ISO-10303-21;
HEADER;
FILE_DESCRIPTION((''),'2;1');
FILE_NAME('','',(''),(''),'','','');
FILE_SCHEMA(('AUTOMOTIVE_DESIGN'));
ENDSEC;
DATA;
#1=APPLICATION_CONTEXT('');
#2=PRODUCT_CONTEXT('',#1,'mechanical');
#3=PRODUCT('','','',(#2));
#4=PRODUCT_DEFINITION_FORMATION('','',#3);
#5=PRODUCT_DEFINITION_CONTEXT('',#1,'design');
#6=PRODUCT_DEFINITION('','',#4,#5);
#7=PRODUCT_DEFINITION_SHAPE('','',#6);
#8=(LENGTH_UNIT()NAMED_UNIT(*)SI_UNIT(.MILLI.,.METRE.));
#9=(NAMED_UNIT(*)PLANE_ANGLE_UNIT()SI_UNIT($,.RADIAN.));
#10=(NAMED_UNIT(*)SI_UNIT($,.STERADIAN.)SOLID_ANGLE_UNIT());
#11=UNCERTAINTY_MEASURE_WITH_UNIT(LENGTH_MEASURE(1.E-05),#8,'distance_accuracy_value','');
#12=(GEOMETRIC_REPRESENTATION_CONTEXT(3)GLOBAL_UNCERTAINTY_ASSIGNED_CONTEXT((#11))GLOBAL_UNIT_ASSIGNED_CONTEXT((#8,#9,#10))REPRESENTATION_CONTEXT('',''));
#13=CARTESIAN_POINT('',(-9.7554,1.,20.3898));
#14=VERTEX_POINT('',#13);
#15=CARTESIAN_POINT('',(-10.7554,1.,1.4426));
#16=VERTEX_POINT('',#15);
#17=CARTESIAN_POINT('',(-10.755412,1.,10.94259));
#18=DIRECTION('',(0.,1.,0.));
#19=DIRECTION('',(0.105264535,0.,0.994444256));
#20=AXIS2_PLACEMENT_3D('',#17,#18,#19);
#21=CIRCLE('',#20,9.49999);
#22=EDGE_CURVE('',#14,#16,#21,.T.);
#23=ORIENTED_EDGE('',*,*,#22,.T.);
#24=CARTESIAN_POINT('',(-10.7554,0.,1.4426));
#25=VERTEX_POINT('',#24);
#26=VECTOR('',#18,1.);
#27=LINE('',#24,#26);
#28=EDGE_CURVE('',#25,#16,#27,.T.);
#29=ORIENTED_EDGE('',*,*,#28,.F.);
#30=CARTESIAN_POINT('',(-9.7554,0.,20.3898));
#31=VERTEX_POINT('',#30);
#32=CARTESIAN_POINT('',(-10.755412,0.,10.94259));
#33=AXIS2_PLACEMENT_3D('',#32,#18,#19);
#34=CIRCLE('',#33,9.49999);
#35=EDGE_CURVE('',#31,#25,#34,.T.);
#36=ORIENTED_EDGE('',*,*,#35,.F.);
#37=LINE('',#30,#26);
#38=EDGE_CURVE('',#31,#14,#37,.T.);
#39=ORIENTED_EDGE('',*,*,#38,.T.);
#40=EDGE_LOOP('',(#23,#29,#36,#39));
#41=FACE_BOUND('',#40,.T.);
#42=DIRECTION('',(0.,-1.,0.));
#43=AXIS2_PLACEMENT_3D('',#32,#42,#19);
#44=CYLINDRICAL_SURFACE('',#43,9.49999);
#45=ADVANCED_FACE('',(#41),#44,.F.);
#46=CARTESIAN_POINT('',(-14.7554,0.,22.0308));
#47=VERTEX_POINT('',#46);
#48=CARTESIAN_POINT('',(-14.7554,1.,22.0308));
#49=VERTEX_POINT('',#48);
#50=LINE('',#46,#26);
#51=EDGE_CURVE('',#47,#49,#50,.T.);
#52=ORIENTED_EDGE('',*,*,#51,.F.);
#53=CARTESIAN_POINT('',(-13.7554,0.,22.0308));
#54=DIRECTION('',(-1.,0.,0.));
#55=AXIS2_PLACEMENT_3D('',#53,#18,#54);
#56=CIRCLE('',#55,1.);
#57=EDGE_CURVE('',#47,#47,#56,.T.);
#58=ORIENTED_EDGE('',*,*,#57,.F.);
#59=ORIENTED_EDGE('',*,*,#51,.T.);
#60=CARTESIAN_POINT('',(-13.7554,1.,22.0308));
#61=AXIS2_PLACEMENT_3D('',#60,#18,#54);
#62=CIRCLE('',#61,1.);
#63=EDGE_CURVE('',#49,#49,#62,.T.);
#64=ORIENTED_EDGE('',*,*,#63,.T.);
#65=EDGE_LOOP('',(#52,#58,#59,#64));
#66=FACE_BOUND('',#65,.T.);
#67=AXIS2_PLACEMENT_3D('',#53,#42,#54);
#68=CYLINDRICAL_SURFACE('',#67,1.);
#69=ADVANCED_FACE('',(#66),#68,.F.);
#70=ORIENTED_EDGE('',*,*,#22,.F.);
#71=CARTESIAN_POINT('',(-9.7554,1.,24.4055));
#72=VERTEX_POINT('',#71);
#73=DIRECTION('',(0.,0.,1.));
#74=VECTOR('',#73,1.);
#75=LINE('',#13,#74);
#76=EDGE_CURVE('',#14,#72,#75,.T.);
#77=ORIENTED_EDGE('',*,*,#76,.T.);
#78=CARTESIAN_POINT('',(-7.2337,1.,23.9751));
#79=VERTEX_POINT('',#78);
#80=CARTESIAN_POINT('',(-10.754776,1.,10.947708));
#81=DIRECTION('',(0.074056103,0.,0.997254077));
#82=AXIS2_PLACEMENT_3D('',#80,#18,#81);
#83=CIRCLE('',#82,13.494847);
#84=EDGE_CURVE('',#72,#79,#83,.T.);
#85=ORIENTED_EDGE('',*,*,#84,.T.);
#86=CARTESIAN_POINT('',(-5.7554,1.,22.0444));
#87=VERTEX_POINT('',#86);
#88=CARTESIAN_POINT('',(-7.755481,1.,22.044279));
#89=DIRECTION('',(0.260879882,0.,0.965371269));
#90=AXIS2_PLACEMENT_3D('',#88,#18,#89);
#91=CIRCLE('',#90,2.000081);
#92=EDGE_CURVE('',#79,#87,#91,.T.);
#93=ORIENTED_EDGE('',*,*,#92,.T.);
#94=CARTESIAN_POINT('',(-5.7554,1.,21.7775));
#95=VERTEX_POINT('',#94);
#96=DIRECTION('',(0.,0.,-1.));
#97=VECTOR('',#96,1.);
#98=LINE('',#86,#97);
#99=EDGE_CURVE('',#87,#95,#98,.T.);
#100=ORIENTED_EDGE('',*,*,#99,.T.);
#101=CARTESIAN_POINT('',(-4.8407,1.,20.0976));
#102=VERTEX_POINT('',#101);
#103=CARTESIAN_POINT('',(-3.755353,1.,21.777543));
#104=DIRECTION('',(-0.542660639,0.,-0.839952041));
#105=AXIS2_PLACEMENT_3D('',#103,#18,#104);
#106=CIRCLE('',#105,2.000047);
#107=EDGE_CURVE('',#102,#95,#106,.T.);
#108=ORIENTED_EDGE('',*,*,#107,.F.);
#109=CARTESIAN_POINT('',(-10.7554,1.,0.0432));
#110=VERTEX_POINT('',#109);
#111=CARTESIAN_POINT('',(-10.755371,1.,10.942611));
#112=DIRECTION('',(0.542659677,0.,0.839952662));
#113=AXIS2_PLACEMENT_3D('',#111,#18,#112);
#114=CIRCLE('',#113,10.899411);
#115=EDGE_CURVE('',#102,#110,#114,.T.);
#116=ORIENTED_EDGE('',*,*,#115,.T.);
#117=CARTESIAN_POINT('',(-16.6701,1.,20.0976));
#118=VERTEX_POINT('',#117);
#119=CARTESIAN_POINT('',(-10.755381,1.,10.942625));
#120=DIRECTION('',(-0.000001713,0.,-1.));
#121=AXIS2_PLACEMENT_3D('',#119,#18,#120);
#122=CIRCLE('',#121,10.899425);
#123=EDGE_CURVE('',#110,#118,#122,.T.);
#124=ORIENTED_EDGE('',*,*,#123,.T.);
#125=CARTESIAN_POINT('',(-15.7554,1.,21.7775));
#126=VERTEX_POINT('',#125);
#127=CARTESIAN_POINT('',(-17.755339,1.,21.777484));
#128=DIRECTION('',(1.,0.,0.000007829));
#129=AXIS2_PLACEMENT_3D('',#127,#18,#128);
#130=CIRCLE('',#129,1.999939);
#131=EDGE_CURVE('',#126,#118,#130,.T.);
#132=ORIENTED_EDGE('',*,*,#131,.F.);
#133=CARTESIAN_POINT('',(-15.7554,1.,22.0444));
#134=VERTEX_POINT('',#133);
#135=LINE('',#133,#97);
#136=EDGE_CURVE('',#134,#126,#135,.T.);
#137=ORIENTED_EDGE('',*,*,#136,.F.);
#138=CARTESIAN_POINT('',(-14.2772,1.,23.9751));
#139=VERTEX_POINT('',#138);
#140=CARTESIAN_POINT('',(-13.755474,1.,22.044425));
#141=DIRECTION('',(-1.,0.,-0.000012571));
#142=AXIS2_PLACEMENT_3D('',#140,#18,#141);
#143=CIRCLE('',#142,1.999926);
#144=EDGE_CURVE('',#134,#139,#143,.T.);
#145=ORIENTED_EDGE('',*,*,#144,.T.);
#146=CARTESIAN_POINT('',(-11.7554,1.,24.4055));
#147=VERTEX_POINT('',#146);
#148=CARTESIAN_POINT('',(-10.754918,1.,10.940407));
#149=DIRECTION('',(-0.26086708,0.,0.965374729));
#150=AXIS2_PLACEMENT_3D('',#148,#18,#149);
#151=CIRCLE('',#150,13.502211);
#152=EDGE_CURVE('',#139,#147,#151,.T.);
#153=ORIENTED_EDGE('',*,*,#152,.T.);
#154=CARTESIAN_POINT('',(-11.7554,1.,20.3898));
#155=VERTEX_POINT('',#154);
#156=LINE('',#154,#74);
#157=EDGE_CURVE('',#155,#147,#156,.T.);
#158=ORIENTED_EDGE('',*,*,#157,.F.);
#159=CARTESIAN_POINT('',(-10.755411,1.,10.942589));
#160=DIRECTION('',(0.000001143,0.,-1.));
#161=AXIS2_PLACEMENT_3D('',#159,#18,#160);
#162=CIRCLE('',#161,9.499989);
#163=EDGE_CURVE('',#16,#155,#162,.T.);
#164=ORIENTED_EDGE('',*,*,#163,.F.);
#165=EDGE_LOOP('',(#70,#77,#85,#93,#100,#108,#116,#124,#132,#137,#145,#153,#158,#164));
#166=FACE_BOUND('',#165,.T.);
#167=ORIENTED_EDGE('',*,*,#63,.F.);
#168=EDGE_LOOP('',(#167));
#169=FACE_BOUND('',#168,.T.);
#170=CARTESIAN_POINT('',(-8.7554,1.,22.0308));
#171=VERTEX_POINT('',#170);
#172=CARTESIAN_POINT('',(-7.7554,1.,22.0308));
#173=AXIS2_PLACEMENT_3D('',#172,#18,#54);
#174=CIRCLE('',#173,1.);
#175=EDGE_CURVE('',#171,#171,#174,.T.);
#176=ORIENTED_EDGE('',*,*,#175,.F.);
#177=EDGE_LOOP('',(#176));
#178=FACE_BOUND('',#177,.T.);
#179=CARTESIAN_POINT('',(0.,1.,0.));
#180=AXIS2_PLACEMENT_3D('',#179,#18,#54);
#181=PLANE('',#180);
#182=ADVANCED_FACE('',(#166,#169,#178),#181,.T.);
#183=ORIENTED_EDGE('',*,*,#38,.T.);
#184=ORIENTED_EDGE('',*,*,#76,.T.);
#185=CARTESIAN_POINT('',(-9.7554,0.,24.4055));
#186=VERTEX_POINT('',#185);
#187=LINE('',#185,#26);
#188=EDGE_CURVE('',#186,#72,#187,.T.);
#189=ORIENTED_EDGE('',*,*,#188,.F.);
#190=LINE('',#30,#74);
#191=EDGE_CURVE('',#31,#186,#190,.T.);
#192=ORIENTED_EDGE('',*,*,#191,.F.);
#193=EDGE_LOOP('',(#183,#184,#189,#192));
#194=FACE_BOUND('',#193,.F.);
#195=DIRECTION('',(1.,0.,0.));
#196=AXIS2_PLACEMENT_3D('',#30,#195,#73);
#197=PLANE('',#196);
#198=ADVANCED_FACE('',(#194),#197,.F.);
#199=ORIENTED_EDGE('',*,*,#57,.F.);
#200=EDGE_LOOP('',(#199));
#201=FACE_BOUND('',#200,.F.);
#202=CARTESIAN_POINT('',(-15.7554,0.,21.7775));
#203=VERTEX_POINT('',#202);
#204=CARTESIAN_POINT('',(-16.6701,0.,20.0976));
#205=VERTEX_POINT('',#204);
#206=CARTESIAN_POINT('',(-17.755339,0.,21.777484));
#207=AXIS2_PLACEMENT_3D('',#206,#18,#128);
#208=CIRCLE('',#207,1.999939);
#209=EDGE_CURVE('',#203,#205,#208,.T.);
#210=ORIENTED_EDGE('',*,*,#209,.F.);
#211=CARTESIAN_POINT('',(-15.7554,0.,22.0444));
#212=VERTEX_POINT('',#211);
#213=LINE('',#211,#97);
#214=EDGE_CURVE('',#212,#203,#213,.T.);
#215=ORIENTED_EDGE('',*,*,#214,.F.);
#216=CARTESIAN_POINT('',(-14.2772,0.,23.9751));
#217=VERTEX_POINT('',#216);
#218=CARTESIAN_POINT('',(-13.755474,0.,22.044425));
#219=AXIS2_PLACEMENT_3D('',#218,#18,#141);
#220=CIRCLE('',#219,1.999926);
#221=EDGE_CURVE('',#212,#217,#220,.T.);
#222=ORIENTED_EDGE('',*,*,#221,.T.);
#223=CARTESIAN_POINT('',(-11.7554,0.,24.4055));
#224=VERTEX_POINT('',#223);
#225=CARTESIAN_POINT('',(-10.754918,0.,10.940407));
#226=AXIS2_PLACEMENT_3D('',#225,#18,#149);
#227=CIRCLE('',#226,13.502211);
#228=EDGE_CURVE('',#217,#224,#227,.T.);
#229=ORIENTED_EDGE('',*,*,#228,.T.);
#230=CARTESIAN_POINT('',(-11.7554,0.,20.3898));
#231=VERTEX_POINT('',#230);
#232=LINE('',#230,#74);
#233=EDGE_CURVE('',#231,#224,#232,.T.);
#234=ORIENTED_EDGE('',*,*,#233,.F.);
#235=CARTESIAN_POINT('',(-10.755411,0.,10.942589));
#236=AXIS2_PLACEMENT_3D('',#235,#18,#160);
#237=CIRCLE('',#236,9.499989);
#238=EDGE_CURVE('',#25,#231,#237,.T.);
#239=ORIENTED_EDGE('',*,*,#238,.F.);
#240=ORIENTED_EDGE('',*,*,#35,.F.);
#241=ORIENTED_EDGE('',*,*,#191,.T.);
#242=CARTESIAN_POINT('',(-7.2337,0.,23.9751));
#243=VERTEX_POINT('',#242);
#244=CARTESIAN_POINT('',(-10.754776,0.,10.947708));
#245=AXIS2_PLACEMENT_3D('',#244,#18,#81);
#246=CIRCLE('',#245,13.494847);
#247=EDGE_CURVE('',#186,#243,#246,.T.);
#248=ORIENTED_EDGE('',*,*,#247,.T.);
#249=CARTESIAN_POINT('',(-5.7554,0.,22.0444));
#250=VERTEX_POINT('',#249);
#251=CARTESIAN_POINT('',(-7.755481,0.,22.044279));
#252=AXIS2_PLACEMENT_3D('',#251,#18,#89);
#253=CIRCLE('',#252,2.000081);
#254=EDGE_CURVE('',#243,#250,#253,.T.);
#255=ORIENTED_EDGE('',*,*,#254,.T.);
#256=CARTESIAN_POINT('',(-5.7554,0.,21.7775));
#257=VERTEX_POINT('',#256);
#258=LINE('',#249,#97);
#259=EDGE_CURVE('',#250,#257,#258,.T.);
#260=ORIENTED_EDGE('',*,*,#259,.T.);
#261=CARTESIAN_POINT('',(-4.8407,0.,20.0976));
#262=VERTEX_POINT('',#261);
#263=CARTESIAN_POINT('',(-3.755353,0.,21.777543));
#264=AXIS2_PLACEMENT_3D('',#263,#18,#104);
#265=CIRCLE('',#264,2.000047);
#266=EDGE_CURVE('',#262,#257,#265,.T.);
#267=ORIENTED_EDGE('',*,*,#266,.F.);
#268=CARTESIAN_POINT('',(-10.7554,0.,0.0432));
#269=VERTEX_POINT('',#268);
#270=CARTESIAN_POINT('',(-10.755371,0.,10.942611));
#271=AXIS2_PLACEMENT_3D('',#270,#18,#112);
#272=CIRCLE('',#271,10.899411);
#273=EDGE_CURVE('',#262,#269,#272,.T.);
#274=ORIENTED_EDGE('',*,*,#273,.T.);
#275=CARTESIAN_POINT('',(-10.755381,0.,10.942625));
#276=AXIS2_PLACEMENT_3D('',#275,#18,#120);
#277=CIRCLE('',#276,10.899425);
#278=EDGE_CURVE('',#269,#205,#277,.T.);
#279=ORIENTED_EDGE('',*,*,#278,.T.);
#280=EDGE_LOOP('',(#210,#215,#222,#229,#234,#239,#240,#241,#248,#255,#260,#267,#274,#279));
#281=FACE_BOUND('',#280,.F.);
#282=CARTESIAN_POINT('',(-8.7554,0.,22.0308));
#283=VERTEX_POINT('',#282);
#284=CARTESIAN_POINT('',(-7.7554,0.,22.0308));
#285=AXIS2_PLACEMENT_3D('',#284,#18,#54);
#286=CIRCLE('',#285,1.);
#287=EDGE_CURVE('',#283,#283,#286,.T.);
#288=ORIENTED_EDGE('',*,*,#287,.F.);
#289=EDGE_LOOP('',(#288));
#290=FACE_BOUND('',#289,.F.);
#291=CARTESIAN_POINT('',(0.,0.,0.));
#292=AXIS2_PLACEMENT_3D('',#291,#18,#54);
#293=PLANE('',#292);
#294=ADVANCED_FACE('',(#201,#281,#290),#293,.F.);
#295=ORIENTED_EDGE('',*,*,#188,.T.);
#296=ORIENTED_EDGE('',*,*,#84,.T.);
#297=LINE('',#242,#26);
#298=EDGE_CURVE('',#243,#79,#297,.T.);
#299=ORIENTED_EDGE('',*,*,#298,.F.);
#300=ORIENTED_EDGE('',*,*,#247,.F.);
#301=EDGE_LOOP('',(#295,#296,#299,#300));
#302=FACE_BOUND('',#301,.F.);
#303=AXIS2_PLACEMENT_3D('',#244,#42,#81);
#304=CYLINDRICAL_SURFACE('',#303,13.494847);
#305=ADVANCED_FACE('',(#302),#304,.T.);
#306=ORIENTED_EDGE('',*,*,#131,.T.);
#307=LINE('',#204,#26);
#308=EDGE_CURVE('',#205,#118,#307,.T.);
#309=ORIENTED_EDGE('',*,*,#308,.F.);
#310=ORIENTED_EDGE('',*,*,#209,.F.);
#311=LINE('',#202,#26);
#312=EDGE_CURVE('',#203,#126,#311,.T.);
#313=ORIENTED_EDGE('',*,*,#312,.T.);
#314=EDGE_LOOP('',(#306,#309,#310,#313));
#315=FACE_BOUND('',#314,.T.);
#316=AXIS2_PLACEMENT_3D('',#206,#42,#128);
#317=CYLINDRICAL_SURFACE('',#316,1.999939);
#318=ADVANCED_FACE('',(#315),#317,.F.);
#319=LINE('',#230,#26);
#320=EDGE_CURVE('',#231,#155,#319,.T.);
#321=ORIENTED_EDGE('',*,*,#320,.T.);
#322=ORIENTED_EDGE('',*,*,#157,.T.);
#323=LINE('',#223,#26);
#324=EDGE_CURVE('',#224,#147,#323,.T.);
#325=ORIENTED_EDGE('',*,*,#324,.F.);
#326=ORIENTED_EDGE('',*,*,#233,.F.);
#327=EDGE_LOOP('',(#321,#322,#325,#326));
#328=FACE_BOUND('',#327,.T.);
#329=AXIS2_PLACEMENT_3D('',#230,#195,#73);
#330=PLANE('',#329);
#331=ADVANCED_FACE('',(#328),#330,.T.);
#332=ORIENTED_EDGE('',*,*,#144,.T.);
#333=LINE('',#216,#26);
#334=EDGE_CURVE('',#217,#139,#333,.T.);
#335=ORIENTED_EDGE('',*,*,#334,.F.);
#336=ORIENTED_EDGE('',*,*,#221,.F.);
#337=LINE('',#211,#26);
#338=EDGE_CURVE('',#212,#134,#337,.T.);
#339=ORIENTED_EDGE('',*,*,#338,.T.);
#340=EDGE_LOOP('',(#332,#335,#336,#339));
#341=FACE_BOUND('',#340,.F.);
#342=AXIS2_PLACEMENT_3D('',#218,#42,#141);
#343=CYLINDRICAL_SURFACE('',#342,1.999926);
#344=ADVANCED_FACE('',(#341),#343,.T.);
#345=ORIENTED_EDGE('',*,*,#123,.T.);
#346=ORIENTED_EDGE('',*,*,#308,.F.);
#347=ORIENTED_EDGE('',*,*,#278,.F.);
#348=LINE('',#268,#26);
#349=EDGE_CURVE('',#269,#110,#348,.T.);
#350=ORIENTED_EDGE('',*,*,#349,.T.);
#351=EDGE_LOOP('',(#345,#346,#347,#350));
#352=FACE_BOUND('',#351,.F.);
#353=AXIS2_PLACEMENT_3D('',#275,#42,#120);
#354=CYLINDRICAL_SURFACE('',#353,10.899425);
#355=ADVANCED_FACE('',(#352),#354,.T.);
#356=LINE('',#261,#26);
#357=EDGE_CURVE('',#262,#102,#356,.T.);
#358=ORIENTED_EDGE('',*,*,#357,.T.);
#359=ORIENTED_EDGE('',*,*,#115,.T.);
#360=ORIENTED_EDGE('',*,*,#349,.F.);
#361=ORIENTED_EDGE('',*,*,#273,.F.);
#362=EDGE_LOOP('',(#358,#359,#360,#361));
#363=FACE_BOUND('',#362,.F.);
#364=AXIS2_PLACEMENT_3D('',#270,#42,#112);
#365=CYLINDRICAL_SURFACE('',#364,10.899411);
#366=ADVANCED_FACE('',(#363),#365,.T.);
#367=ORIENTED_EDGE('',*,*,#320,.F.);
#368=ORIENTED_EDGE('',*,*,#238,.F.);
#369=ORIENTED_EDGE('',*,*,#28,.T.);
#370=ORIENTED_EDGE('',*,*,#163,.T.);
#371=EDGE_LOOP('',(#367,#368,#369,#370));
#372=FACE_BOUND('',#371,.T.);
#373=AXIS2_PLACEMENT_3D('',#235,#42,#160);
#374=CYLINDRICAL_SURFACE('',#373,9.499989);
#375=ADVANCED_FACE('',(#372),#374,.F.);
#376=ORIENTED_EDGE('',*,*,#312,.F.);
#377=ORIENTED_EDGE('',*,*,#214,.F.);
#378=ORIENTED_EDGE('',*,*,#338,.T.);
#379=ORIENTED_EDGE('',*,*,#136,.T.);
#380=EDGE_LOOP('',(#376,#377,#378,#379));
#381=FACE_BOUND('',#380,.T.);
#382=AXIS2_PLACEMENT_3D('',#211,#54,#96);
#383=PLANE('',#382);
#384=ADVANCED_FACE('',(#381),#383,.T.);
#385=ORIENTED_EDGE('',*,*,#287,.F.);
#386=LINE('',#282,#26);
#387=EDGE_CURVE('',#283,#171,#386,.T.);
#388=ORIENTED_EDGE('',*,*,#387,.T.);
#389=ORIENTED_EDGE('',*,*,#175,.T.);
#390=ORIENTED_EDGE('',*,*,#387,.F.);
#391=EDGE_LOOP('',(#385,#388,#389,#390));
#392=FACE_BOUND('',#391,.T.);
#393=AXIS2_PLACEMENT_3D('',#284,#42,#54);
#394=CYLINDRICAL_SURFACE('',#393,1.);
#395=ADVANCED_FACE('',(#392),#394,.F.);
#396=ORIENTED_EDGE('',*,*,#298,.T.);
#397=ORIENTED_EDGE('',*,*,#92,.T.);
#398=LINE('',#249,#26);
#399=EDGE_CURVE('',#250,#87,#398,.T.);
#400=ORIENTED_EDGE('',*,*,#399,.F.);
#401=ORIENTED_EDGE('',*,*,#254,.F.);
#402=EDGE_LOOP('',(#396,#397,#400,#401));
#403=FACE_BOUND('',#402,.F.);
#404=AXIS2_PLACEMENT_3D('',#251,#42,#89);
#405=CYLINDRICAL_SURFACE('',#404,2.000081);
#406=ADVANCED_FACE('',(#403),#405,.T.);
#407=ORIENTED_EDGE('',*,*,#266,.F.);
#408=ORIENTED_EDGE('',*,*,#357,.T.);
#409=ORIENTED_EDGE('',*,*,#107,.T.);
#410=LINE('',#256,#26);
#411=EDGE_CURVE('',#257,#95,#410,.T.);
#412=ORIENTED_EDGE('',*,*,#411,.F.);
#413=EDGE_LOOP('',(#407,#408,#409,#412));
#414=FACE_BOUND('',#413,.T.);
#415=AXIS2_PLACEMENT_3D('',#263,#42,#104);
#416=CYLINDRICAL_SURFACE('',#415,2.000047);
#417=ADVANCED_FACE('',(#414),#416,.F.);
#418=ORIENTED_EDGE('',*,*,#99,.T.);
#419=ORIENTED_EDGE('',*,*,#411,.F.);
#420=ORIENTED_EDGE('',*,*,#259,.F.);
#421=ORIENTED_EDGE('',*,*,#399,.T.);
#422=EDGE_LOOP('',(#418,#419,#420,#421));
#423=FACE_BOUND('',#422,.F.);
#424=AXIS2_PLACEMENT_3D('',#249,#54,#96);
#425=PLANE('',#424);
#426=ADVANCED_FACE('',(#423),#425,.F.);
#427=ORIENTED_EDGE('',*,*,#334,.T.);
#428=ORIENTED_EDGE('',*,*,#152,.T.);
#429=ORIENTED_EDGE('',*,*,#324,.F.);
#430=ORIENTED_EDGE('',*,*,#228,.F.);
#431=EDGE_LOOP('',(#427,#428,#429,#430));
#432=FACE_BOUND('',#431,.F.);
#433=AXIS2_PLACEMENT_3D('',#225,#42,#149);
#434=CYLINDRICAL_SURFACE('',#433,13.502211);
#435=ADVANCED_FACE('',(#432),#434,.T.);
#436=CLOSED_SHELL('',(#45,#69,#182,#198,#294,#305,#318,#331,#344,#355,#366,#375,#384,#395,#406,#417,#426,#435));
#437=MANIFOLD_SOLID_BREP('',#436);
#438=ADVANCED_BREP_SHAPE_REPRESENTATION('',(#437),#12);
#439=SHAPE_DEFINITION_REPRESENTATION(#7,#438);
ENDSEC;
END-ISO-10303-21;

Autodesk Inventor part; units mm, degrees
ref_plane "YZ Plane" through (0, 0, 0) normal (1, 0, 0) x (0, 1, 0)
ref_plane "XZ Plane" through (0, 0, 0) normal (0, 1, 0) x (-1, 0, 0)
ref_plane "XY Plane" through (0, 0, 0) normal (0, 0, 1) x (1, 0, 0)
sketch "Sketch1" plane through (0, 0, 0) normal (0, 1, 0) x (-1, 0, 0)
  line L0 (5.7554, 22.0444) -> (5.7554, 21.7775)
  line L1 (9.7554, 20.3898) -> (9.7554, 24.4055)
  circle A0 centre (7.7554, 22.0308) radius 1
  arc A1 (9.7554, 20.3898) -> (10.7554, 1.4426) centre (10.7554, 10.9426) ccw
  arc A2 (4.8407, 20.0976) -> (10.7554, 0.0432) centre (10.7554, 10.9426) ccw
  arc A3 (4.8407, 20.0976) -> (5.7554, 21.7775) centre (3.7554, 21.7775) ccw
  arc A4 (7.2337, 23.9751) -> (5.7554, 22.0444) centre (7.7554, 22.0444) ccw
  arc A5 (9.7554, 24.4055) -> (7.2337, 23.9751) centre (10.7554, 10.9426) ccw
  line L2 (10.7554, 25.4285) -> (10.7554, -6.744) construction
  line L3 (15.7554, 22.0444) -> (15.7554, 21.7775)
  line L4 (11.7554, 20.3898) -> (11.7554, 24.4055)
  circle A6 centre (13.7554, 22.0308) radius 1
  arc A7 (10.7554, 1.4426) -> (11.7554, 20.3898) centre (10.7554, 10.9426) ccw
  arc A8 (10.7554, 0.0432) -> (16.6701, 20.0976) centre (10.7554, 10.9426) ccw
  arc A9 (15.7554, 21.7775) -> (16.6701, 20.0976) centre (17.7554, 21.7775) ccw
  arc A10 (15.7554, 22.0444) -> (14.2772, 23.9751) centre (13.7554, 22.0444) ccw
  arc A11 (14.2772, 23.9751) -> (11.7554, 24.4055) centre (10.7554, 10.9426) ccw
  point P0 (0, 0)
  point P1 (9.7554, 22.3977)
  point P2 (11.7554, 22.3977)
  dimension "d0" = 2
  dimension "d1" = 2
  dimension "d2" = 13.5
  dimension "d3" = 9.5
  dimension "d4" = 10.8994
  dimension "d5" = 6
  dimension "d6" = 2
extrude "Extrusion1" add sketch "Sketch1" along normal blind 1
properties part number "49-01-001"
